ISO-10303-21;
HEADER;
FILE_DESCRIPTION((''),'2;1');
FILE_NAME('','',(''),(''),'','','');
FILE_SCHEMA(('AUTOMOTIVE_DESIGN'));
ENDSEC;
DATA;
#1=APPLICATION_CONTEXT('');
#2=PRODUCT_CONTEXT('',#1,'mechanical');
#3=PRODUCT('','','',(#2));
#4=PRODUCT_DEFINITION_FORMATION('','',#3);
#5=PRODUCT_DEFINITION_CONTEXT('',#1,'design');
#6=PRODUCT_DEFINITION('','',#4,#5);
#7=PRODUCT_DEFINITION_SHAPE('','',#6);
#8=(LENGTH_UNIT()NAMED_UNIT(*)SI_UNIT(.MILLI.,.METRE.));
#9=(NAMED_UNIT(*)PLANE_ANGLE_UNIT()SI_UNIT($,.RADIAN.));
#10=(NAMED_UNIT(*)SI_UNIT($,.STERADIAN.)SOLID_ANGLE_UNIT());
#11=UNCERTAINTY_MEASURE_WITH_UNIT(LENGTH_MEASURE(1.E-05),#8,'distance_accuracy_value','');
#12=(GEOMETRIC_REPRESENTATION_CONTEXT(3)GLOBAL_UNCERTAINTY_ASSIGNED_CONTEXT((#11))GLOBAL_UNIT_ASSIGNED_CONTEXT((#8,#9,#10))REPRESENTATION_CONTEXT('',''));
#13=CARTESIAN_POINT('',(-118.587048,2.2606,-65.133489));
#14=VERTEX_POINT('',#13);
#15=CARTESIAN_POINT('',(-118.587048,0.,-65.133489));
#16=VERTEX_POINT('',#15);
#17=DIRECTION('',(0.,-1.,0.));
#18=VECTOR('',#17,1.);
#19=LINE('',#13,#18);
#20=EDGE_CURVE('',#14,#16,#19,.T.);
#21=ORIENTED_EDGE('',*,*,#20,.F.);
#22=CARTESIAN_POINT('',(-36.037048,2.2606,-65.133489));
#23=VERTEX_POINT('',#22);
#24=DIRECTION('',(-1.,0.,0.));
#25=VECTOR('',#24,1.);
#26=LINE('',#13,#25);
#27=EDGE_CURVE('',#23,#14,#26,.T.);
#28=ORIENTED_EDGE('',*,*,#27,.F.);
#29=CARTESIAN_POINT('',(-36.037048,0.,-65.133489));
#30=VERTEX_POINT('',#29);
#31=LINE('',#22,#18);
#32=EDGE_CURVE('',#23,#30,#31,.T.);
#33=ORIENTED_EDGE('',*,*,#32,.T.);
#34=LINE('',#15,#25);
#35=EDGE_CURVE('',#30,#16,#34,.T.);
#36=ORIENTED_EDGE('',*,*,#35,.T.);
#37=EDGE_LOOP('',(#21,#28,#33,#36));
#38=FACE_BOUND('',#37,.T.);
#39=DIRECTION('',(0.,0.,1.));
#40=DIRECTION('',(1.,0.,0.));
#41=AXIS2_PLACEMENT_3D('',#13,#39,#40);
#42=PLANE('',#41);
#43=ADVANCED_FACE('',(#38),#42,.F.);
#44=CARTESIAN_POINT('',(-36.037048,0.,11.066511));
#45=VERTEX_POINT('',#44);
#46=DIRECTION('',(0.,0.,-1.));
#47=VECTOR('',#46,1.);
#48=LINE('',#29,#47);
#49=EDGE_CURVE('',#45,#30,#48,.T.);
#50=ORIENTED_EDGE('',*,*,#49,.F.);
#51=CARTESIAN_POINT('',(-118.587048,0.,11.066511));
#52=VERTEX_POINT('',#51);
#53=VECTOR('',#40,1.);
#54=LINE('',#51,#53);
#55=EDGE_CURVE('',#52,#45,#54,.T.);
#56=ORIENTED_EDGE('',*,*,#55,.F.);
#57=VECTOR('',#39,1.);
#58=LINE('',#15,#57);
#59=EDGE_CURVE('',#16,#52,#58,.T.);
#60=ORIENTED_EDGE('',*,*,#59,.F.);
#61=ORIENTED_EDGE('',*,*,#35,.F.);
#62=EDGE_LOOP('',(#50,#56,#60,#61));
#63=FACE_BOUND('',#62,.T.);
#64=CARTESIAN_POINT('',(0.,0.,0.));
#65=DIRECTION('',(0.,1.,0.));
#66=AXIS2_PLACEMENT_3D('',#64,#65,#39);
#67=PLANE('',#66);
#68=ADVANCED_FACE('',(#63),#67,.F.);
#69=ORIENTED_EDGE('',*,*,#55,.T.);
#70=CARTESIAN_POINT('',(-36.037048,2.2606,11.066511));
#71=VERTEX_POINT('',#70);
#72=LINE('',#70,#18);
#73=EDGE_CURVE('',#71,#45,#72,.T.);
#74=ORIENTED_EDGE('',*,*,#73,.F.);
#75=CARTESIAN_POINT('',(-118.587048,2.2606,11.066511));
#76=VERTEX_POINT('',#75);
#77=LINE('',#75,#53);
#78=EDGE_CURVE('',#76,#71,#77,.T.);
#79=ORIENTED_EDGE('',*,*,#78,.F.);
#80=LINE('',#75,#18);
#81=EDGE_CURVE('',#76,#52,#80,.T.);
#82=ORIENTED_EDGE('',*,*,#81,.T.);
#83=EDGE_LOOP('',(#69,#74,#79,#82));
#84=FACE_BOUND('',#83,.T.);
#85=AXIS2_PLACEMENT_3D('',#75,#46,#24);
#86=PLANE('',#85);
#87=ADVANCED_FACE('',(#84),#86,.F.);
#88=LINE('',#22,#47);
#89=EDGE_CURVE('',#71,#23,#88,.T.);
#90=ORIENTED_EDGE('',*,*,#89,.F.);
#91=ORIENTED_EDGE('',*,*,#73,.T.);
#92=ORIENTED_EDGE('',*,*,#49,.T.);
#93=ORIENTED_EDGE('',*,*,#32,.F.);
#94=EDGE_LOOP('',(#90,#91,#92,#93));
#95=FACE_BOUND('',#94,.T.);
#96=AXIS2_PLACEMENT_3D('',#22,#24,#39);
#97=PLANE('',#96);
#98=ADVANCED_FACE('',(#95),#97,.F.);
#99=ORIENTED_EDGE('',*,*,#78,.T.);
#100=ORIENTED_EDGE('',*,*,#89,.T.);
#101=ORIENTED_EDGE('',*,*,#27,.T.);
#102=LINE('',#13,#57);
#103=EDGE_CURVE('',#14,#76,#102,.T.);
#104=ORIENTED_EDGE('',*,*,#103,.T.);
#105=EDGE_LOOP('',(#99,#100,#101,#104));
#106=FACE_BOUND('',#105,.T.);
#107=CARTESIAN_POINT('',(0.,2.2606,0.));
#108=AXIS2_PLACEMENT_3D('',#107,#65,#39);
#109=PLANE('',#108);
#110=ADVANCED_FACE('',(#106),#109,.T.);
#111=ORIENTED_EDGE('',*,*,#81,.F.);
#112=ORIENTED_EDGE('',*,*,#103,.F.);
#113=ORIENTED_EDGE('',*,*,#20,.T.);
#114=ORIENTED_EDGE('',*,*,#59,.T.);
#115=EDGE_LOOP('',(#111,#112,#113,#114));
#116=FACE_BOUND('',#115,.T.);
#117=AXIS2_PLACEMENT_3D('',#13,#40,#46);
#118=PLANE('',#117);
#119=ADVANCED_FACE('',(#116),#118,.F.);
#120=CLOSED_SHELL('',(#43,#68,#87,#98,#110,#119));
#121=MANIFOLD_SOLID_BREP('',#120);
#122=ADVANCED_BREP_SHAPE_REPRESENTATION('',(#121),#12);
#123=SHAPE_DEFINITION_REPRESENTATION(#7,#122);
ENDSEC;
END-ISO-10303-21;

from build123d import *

# Parameters (mm, degrees)
SKETCH2_W           = 82.55
SKETCH2_H           = 76.2
BOSS_EXTRUDE1_DEPTH = 2.2606


with BuildPart() as part:
    # Sketch2 → Boss-Extrude1 (new body)
    with BuildSketch(Plane(origin=(0, 0, 0), x_dir=(1, 0, 0), z_dir=(0, 1, 0))):
        with Locations((-77.312048433, 27.033489416)):
            Rectangle(SKETCH2_W, SKETCH2_H)
    extrude(amount=BOSS_EXTRUDE1_DEPTH)


solid = part.part
